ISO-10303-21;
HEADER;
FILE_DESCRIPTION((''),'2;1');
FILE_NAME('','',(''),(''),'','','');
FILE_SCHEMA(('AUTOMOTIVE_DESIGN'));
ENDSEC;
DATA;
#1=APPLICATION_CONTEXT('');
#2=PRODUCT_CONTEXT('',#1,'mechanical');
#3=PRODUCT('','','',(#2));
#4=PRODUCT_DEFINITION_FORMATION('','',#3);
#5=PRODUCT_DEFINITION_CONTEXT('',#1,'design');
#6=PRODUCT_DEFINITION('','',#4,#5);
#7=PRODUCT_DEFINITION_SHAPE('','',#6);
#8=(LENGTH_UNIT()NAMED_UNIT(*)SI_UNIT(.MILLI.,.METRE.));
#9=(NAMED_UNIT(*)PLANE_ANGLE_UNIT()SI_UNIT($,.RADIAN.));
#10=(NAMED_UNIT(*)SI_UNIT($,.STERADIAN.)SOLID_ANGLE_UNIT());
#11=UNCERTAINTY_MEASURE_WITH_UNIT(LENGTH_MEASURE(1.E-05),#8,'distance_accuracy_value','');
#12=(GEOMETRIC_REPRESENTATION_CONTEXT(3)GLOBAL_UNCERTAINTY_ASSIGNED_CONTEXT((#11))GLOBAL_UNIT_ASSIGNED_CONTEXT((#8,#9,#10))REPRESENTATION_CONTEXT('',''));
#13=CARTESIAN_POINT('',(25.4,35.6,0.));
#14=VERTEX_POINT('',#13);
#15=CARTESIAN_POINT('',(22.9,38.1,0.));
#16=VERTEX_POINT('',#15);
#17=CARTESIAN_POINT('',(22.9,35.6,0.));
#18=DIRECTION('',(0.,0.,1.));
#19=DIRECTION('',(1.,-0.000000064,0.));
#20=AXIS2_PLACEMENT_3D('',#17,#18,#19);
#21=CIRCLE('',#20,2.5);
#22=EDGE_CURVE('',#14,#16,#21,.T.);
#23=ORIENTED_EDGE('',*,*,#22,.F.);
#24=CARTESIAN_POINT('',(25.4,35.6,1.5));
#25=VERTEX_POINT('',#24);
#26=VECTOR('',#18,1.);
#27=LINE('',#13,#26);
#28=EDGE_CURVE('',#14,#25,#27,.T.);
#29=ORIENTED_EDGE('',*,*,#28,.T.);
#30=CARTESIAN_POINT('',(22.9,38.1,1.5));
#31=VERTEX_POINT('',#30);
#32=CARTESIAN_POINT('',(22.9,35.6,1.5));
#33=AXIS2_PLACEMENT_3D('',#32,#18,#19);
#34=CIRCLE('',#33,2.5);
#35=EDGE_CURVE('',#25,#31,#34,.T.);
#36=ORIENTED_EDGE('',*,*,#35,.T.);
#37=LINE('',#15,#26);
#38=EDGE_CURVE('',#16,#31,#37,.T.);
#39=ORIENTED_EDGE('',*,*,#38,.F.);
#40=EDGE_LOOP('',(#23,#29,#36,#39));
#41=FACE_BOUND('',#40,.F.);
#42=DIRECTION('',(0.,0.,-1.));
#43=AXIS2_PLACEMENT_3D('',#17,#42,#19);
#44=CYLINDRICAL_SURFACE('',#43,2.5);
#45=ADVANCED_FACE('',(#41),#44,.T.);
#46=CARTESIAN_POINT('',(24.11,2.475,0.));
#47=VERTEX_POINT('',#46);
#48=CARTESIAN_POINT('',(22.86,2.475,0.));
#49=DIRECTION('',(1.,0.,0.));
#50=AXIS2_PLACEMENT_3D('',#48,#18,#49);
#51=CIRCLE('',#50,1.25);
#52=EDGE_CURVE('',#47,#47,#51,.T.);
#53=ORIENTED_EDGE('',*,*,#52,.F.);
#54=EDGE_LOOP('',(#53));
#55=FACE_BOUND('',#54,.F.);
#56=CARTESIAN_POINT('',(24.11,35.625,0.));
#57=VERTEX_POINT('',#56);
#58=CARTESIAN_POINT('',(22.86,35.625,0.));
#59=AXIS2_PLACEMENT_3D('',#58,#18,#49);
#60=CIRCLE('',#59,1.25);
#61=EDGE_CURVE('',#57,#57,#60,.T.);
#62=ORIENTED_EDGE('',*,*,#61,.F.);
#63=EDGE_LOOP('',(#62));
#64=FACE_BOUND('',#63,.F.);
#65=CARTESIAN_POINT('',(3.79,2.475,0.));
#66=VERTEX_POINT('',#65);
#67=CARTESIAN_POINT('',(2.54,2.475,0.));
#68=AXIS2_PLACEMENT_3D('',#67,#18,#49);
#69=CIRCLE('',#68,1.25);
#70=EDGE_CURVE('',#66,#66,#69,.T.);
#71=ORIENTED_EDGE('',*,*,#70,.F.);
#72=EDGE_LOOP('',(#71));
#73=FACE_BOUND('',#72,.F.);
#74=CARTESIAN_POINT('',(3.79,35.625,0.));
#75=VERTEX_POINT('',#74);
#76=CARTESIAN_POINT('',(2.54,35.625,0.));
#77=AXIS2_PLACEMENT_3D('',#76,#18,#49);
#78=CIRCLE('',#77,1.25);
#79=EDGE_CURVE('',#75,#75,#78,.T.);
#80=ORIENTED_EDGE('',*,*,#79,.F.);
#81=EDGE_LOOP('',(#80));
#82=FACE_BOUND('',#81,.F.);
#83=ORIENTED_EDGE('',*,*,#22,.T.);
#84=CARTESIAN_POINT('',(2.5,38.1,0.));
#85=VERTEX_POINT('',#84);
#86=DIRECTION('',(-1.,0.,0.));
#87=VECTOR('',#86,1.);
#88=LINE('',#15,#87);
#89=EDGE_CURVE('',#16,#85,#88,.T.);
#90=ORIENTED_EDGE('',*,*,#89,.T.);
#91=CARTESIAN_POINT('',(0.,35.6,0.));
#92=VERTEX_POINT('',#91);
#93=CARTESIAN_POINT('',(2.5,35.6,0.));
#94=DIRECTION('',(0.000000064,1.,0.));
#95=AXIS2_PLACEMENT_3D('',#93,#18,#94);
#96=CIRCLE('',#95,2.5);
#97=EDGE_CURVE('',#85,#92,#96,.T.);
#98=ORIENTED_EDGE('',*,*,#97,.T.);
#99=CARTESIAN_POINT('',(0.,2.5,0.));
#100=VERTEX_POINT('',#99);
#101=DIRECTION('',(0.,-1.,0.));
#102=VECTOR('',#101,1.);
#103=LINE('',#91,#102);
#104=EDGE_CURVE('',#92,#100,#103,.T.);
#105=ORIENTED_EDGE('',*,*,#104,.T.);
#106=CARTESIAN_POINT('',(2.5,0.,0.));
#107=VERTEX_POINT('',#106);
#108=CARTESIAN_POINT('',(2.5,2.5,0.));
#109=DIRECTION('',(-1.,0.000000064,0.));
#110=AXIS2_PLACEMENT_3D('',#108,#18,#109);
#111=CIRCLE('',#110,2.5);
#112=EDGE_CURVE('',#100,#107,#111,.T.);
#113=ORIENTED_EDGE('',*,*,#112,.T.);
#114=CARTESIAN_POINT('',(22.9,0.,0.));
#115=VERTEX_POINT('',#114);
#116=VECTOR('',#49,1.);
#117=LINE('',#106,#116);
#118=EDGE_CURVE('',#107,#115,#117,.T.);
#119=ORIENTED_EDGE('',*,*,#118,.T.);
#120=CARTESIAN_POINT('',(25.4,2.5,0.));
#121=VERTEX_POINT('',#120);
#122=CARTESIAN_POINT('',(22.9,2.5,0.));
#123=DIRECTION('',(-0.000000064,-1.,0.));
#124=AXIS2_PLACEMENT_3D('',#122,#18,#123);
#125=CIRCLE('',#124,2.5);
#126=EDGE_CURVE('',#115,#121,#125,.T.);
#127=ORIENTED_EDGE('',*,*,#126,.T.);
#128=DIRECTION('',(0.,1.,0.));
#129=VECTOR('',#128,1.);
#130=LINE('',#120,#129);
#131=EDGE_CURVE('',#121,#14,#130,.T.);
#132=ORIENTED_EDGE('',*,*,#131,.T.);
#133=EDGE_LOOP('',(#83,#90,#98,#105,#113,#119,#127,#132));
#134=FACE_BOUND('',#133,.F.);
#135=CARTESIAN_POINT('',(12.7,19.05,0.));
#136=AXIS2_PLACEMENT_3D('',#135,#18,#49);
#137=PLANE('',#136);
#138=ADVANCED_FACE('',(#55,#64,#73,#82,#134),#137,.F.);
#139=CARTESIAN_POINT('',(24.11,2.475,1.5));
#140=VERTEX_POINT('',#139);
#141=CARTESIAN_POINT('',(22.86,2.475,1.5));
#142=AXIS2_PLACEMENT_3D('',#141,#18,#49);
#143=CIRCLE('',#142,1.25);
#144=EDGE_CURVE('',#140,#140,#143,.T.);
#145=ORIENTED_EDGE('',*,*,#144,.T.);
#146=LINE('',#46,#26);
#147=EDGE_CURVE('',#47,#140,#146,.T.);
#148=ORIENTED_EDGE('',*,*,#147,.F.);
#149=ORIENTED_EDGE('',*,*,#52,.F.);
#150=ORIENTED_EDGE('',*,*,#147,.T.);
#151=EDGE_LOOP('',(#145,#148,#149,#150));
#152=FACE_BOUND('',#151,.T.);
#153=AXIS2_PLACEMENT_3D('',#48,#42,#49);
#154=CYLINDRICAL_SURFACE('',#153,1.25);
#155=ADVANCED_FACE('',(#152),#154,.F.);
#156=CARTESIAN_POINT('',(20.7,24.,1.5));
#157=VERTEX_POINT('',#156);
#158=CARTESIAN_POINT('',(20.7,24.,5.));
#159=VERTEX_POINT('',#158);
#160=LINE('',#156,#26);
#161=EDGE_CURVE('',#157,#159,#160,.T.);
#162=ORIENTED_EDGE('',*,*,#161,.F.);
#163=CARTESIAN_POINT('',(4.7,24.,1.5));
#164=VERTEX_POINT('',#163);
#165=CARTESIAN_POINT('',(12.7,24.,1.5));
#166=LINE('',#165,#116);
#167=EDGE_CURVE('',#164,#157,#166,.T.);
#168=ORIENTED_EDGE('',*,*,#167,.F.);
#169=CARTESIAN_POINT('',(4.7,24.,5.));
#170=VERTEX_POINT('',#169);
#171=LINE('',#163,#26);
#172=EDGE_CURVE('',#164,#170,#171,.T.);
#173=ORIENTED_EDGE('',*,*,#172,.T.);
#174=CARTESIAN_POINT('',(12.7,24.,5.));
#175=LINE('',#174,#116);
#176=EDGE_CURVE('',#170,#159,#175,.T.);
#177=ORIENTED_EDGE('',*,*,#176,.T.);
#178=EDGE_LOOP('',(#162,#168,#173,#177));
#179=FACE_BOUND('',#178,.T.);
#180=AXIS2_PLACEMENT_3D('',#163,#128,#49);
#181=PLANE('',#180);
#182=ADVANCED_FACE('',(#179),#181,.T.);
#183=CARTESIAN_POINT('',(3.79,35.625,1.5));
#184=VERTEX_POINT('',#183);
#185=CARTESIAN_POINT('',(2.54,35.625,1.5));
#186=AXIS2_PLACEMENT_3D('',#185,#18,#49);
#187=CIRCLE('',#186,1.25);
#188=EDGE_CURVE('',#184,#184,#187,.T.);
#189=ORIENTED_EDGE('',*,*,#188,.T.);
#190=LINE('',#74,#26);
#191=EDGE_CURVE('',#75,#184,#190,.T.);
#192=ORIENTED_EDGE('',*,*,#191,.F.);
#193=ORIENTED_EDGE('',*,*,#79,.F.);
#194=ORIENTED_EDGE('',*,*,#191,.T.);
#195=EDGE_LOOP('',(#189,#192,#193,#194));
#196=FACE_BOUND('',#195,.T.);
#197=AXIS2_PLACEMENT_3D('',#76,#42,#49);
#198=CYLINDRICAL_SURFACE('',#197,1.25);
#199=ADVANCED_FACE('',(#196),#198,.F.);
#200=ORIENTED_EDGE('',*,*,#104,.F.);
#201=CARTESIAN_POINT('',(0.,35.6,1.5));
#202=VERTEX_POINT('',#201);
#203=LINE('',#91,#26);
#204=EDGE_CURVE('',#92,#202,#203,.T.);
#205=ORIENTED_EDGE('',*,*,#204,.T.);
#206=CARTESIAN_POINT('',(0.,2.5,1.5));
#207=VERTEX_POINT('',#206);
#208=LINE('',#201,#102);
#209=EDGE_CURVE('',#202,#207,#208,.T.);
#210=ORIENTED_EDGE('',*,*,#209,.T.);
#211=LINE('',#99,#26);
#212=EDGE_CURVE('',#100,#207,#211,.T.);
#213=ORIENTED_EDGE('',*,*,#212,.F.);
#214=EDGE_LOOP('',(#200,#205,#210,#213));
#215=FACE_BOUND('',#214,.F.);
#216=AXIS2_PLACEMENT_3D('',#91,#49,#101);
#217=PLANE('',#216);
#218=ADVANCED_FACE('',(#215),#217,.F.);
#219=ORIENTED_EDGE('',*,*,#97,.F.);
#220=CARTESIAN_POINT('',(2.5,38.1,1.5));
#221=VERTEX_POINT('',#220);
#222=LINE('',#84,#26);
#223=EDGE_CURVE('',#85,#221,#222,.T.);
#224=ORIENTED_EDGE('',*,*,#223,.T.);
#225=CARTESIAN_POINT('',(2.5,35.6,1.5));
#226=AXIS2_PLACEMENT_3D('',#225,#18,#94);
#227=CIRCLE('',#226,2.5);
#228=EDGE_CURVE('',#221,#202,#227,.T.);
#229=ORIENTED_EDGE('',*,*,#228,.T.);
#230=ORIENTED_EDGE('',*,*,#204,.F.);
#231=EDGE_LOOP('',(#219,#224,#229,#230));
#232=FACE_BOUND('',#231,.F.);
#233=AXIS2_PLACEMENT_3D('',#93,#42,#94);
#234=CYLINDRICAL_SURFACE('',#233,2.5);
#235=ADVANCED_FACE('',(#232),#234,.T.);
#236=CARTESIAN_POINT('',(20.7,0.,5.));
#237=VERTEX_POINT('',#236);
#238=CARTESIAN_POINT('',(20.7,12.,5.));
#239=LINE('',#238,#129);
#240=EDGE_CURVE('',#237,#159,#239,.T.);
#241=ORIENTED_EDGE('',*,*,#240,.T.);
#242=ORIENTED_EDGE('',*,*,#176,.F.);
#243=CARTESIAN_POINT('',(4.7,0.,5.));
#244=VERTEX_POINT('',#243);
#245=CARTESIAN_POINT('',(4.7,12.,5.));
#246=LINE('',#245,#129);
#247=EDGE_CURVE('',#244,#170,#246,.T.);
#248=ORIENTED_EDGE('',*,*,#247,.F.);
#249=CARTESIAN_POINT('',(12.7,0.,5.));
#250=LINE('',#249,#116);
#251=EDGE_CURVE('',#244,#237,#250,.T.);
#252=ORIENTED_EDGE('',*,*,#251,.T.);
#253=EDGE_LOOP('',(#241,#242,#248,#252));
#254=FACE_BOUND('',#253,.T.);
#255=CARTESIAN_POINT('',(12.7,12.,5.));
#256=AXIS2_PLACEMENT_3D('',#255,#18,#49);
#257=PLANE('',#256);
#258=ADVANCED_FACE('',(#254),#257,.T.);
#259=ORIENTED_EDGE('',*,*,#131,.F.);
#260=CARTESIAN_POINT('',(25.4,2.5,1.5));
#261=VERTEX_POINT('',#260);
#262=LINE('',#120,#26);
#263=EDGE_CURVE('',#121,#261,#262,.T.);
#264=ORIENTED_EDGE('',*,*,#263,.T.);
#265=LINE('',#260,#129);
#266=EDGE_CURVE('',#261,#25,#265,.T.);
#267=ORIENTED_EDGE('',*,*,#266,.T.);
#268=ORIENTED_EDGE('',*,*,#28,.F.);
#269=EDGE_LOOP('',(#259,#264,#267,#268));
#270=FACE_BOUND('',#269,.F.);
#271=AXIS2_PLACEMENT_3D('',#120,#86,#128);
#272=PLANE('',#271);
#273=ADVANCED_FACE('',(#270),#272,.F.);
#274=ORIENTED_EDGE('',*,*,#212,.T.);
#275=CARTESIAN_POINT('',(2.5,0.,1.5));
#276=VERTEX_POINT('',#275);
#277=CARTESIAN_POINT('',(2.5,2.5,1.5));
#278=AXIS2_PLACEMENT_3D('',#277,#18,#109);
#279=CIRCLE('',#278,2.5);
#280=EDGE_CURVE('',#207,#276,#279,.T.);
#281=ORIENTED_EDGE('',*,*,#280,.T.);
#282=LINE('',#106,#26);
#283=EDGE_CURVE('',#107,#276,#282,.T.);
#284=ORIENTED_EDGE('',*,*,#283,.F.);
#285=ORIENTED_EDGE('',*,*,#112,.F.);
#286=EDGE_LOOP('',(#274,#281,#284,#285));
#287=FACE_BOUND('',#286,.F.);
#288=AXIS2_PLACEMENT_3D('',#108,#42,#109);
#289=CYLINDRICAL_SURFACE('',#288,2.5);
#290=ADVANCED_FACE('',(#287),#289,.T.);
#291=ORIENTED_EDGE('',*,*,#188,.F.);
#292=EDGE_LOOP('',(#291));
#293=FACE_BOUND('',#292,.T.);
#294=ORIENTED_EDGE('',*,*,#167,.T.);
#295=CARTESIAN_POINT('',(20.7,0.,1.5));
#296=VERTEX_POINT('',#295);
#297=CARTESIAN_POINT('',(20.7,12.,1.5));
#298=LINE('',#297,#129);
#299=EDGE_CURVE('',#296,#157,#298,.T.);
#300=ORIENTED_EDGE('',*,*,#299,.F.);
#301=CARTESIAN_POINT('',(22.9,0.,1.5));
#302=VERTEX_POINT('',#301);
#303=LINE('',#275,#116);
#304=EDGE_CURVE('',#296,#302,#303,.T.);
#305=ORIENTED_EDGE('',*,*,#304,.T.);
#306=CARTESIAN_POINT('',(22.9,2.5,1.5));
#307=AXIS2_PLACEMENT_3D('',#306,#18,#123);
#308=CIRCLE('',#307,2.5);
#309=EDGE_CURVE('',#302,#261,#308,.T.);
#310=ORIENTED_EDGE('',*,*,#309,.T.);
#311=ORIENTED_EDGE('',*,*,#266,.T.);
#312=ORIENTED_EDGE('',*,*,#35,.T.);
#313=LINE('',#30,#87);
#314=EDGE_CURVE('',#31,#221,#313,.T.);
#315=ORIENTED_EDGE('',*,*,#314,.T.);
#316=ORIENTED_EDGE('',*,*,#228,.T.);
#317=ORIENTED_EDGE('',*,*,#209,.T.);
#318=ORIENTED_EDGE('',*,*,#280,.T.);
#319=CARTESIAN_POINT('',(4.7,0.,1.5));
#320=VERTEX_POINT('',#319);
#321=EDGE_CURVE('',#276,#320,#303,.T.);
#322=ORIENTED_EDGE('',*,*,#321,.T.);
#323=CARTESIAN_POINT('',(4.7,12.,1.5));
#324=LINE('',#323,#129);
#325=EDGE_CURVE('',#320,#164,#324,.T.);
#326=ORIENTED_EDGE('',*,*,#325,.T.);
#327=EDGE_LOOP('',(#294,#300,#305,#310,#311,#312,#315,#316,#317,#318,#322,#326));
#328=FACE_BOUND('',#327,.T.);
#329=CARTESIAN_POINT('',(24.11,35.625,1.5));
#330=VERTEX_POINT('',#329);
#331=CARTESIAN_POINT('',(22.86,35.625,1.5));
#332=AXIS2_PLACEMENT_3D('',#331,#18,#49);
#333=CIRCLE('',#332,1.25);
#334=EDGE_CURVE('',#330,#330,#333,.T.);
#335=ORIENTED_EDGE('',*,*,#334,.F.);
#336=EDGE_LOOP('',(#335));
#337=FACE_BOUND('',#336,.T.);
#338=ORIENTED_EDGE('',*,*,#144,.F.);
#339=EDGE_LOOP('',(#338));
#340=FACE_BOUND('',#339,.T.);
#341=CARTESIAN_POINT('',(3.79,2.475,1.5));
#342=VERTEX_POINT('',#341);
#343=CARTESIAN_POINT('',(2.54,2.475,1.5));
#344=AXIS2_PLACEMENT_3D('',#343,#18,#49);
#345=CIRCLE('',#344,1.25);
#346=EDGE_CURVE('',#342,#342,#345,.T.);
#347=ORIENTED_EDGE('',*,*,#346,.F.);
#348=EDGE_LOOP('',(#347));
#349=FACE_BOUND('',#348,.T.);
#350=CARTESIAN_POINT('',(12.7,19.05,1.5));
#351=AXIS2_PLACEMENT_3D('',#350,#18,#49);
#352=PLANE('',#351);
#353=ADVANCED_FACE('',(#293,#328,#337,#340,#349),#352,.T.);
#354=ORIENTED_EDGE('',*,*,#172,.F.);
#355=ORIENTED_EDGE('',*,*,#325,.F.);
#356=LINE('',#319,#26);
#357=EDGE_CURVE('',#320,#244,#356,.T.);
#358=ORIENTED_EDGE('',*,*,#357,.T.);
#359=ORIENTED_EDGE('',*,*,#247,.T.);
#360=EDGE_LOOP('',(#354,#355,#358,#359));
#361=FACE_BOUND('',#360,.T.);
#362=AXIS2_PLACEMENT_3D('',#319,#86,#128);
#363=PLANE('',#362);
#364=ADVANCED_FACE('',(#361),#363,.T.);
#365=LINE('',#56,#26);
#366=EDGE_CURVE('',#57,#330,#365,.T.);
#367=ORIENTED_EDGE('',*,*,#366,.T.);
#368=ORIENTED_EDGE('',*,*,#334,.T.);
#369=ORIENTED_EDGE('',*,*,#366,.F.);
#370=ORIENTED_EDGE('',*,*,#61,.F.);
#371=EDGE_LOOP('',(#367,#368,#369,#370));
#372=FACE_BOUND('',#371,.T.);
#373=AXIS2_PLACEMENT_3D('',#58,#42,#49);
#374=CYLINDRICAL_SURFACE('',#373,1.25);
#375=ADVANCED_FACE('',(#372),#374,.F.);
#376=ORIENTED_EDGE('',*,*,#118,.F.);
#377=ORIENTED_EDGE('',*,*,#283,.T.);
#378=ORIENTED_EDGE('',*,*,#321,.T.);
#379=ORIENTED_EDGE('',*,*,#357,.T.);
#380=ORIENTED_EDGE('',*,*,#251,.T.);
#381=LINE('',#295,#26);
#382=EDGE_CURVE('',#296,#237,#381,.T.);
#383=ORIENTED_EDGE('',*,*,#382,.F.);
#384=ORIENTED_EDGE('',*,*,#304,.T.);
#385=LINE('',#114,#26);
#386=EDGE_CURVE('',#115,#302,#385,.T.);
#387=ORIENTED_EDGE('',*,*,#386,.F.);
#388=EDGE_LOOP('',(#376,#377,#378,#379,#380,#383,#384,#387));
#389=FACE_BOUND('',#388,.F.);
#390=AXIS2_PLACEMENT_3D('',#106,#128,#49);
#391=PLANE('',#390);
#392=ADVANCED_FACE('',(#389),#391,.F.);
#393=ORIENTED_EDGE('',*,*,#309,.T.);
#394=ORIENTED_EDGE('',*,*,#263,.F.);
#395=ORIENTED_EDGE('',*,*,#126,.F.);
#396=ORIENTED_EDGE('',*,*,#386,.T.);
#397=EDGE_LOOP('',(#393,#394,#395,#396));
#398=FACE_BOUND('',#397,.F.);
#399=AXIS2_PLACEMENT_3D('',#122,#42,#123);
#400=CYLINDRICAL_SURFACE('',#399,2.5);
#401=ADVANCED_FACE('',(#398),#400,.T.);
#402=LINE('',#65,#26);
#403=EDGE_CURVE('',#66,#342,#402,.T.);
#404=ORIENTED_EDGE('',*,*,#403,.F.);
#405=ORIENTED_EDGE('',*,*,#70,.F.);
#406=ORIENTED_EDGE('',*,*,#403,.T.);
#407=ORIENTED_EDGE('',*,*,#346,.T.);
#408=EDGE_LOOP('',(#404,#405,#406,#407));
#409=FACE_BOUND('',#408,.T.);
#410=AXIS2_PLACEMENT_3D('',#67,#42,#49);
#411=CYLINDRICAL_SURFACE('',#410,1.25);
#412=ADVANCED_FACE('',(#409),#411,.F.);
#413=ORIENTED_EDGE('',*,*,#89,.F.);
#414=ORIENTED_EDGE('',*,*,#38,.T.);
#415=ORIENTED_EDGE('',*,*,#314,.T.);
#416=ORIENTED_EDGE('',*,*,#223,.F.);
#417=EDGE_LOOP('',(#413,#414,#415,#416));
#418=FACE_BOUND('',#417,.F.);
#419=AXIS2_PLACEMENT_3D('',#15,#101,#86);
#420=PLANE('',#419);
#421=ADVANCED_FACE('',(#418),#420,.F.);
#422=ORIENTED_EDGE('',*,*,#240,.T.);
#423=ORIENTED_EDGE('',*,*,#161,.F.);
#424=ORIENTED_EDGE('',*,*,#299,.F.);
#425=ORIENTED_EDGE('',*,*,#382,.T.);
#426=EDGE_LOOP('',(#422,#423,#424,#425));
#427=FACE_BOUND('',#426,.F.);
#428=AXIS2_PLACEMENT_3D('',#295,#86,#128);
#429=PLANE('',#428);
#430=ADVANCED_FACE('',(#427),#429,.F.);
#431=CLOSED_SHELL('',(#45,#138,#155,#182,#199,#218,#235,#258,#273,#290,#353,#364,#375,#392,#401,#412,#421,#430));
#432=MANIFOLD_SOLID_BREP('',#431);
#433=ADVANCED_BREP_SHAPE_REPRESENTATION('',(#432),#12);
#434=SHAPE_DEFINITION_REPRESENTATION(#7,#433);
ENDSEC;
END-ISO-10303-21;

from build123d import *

# Parameters (mm, degrees)
F0_R     = 1.25
F1_DEPTH = 1.5
F2_W     = 16
F2_H     = 24
F3_DEPTH = 3.5


with BuildPart() as f1:
    # F0 (on Top) → F1 (new body)
    with BuildSketch(Plane.XY):
        with BuildLine():
            ThreePointArc((0, 2.5), (0.732233, 0.732233), (2.5, 0))
            Line((2.5, 0), (22.9, 0))
            ThreePointArc((22.9, 0), (24.667767, 0.732233), (25.4, 2.5))
            Line((25.4, 2.5), (25.4, 35.6))
            ThreePointArc((25.4, 35.6), (24.667767, 37.367767), (22.9, 38.1))
            Line((22.9, 38.1), (2.5, 38.1))
            ThreePointArc((2.5, 38.1), (0.732233, 37.367767), (0, 35.6))
            Line((0, 35.6), (0, 2.5))
        make_face()
        with Locations((2.54, 2.475)):
            Circle(F0_R, mode=Mode.SUBTRACT)
        with Locations((22.86, 2.475)):
            Circle(F0_R, mode=Mode.SUBTRACT)
        with Locations((2.54, 35.625)):
            Circle(F0_R, mode=Mode.SUBTRACT)
        with Locations((22.86, 35.625)):
            Circle(F0_R, mode=Mode.SUBTRACT)
    extrude(amount=F1_DEPTH)

    # F2 (on face) → F3 (join)
    with BuildSketch(Plane.XY.offset(1.5)):
        with Locations((12.7, 12)):
            Rectangle(F2_W, F2_H)
    extrude(amount=F3_DEPTH)


solid = f1.part
